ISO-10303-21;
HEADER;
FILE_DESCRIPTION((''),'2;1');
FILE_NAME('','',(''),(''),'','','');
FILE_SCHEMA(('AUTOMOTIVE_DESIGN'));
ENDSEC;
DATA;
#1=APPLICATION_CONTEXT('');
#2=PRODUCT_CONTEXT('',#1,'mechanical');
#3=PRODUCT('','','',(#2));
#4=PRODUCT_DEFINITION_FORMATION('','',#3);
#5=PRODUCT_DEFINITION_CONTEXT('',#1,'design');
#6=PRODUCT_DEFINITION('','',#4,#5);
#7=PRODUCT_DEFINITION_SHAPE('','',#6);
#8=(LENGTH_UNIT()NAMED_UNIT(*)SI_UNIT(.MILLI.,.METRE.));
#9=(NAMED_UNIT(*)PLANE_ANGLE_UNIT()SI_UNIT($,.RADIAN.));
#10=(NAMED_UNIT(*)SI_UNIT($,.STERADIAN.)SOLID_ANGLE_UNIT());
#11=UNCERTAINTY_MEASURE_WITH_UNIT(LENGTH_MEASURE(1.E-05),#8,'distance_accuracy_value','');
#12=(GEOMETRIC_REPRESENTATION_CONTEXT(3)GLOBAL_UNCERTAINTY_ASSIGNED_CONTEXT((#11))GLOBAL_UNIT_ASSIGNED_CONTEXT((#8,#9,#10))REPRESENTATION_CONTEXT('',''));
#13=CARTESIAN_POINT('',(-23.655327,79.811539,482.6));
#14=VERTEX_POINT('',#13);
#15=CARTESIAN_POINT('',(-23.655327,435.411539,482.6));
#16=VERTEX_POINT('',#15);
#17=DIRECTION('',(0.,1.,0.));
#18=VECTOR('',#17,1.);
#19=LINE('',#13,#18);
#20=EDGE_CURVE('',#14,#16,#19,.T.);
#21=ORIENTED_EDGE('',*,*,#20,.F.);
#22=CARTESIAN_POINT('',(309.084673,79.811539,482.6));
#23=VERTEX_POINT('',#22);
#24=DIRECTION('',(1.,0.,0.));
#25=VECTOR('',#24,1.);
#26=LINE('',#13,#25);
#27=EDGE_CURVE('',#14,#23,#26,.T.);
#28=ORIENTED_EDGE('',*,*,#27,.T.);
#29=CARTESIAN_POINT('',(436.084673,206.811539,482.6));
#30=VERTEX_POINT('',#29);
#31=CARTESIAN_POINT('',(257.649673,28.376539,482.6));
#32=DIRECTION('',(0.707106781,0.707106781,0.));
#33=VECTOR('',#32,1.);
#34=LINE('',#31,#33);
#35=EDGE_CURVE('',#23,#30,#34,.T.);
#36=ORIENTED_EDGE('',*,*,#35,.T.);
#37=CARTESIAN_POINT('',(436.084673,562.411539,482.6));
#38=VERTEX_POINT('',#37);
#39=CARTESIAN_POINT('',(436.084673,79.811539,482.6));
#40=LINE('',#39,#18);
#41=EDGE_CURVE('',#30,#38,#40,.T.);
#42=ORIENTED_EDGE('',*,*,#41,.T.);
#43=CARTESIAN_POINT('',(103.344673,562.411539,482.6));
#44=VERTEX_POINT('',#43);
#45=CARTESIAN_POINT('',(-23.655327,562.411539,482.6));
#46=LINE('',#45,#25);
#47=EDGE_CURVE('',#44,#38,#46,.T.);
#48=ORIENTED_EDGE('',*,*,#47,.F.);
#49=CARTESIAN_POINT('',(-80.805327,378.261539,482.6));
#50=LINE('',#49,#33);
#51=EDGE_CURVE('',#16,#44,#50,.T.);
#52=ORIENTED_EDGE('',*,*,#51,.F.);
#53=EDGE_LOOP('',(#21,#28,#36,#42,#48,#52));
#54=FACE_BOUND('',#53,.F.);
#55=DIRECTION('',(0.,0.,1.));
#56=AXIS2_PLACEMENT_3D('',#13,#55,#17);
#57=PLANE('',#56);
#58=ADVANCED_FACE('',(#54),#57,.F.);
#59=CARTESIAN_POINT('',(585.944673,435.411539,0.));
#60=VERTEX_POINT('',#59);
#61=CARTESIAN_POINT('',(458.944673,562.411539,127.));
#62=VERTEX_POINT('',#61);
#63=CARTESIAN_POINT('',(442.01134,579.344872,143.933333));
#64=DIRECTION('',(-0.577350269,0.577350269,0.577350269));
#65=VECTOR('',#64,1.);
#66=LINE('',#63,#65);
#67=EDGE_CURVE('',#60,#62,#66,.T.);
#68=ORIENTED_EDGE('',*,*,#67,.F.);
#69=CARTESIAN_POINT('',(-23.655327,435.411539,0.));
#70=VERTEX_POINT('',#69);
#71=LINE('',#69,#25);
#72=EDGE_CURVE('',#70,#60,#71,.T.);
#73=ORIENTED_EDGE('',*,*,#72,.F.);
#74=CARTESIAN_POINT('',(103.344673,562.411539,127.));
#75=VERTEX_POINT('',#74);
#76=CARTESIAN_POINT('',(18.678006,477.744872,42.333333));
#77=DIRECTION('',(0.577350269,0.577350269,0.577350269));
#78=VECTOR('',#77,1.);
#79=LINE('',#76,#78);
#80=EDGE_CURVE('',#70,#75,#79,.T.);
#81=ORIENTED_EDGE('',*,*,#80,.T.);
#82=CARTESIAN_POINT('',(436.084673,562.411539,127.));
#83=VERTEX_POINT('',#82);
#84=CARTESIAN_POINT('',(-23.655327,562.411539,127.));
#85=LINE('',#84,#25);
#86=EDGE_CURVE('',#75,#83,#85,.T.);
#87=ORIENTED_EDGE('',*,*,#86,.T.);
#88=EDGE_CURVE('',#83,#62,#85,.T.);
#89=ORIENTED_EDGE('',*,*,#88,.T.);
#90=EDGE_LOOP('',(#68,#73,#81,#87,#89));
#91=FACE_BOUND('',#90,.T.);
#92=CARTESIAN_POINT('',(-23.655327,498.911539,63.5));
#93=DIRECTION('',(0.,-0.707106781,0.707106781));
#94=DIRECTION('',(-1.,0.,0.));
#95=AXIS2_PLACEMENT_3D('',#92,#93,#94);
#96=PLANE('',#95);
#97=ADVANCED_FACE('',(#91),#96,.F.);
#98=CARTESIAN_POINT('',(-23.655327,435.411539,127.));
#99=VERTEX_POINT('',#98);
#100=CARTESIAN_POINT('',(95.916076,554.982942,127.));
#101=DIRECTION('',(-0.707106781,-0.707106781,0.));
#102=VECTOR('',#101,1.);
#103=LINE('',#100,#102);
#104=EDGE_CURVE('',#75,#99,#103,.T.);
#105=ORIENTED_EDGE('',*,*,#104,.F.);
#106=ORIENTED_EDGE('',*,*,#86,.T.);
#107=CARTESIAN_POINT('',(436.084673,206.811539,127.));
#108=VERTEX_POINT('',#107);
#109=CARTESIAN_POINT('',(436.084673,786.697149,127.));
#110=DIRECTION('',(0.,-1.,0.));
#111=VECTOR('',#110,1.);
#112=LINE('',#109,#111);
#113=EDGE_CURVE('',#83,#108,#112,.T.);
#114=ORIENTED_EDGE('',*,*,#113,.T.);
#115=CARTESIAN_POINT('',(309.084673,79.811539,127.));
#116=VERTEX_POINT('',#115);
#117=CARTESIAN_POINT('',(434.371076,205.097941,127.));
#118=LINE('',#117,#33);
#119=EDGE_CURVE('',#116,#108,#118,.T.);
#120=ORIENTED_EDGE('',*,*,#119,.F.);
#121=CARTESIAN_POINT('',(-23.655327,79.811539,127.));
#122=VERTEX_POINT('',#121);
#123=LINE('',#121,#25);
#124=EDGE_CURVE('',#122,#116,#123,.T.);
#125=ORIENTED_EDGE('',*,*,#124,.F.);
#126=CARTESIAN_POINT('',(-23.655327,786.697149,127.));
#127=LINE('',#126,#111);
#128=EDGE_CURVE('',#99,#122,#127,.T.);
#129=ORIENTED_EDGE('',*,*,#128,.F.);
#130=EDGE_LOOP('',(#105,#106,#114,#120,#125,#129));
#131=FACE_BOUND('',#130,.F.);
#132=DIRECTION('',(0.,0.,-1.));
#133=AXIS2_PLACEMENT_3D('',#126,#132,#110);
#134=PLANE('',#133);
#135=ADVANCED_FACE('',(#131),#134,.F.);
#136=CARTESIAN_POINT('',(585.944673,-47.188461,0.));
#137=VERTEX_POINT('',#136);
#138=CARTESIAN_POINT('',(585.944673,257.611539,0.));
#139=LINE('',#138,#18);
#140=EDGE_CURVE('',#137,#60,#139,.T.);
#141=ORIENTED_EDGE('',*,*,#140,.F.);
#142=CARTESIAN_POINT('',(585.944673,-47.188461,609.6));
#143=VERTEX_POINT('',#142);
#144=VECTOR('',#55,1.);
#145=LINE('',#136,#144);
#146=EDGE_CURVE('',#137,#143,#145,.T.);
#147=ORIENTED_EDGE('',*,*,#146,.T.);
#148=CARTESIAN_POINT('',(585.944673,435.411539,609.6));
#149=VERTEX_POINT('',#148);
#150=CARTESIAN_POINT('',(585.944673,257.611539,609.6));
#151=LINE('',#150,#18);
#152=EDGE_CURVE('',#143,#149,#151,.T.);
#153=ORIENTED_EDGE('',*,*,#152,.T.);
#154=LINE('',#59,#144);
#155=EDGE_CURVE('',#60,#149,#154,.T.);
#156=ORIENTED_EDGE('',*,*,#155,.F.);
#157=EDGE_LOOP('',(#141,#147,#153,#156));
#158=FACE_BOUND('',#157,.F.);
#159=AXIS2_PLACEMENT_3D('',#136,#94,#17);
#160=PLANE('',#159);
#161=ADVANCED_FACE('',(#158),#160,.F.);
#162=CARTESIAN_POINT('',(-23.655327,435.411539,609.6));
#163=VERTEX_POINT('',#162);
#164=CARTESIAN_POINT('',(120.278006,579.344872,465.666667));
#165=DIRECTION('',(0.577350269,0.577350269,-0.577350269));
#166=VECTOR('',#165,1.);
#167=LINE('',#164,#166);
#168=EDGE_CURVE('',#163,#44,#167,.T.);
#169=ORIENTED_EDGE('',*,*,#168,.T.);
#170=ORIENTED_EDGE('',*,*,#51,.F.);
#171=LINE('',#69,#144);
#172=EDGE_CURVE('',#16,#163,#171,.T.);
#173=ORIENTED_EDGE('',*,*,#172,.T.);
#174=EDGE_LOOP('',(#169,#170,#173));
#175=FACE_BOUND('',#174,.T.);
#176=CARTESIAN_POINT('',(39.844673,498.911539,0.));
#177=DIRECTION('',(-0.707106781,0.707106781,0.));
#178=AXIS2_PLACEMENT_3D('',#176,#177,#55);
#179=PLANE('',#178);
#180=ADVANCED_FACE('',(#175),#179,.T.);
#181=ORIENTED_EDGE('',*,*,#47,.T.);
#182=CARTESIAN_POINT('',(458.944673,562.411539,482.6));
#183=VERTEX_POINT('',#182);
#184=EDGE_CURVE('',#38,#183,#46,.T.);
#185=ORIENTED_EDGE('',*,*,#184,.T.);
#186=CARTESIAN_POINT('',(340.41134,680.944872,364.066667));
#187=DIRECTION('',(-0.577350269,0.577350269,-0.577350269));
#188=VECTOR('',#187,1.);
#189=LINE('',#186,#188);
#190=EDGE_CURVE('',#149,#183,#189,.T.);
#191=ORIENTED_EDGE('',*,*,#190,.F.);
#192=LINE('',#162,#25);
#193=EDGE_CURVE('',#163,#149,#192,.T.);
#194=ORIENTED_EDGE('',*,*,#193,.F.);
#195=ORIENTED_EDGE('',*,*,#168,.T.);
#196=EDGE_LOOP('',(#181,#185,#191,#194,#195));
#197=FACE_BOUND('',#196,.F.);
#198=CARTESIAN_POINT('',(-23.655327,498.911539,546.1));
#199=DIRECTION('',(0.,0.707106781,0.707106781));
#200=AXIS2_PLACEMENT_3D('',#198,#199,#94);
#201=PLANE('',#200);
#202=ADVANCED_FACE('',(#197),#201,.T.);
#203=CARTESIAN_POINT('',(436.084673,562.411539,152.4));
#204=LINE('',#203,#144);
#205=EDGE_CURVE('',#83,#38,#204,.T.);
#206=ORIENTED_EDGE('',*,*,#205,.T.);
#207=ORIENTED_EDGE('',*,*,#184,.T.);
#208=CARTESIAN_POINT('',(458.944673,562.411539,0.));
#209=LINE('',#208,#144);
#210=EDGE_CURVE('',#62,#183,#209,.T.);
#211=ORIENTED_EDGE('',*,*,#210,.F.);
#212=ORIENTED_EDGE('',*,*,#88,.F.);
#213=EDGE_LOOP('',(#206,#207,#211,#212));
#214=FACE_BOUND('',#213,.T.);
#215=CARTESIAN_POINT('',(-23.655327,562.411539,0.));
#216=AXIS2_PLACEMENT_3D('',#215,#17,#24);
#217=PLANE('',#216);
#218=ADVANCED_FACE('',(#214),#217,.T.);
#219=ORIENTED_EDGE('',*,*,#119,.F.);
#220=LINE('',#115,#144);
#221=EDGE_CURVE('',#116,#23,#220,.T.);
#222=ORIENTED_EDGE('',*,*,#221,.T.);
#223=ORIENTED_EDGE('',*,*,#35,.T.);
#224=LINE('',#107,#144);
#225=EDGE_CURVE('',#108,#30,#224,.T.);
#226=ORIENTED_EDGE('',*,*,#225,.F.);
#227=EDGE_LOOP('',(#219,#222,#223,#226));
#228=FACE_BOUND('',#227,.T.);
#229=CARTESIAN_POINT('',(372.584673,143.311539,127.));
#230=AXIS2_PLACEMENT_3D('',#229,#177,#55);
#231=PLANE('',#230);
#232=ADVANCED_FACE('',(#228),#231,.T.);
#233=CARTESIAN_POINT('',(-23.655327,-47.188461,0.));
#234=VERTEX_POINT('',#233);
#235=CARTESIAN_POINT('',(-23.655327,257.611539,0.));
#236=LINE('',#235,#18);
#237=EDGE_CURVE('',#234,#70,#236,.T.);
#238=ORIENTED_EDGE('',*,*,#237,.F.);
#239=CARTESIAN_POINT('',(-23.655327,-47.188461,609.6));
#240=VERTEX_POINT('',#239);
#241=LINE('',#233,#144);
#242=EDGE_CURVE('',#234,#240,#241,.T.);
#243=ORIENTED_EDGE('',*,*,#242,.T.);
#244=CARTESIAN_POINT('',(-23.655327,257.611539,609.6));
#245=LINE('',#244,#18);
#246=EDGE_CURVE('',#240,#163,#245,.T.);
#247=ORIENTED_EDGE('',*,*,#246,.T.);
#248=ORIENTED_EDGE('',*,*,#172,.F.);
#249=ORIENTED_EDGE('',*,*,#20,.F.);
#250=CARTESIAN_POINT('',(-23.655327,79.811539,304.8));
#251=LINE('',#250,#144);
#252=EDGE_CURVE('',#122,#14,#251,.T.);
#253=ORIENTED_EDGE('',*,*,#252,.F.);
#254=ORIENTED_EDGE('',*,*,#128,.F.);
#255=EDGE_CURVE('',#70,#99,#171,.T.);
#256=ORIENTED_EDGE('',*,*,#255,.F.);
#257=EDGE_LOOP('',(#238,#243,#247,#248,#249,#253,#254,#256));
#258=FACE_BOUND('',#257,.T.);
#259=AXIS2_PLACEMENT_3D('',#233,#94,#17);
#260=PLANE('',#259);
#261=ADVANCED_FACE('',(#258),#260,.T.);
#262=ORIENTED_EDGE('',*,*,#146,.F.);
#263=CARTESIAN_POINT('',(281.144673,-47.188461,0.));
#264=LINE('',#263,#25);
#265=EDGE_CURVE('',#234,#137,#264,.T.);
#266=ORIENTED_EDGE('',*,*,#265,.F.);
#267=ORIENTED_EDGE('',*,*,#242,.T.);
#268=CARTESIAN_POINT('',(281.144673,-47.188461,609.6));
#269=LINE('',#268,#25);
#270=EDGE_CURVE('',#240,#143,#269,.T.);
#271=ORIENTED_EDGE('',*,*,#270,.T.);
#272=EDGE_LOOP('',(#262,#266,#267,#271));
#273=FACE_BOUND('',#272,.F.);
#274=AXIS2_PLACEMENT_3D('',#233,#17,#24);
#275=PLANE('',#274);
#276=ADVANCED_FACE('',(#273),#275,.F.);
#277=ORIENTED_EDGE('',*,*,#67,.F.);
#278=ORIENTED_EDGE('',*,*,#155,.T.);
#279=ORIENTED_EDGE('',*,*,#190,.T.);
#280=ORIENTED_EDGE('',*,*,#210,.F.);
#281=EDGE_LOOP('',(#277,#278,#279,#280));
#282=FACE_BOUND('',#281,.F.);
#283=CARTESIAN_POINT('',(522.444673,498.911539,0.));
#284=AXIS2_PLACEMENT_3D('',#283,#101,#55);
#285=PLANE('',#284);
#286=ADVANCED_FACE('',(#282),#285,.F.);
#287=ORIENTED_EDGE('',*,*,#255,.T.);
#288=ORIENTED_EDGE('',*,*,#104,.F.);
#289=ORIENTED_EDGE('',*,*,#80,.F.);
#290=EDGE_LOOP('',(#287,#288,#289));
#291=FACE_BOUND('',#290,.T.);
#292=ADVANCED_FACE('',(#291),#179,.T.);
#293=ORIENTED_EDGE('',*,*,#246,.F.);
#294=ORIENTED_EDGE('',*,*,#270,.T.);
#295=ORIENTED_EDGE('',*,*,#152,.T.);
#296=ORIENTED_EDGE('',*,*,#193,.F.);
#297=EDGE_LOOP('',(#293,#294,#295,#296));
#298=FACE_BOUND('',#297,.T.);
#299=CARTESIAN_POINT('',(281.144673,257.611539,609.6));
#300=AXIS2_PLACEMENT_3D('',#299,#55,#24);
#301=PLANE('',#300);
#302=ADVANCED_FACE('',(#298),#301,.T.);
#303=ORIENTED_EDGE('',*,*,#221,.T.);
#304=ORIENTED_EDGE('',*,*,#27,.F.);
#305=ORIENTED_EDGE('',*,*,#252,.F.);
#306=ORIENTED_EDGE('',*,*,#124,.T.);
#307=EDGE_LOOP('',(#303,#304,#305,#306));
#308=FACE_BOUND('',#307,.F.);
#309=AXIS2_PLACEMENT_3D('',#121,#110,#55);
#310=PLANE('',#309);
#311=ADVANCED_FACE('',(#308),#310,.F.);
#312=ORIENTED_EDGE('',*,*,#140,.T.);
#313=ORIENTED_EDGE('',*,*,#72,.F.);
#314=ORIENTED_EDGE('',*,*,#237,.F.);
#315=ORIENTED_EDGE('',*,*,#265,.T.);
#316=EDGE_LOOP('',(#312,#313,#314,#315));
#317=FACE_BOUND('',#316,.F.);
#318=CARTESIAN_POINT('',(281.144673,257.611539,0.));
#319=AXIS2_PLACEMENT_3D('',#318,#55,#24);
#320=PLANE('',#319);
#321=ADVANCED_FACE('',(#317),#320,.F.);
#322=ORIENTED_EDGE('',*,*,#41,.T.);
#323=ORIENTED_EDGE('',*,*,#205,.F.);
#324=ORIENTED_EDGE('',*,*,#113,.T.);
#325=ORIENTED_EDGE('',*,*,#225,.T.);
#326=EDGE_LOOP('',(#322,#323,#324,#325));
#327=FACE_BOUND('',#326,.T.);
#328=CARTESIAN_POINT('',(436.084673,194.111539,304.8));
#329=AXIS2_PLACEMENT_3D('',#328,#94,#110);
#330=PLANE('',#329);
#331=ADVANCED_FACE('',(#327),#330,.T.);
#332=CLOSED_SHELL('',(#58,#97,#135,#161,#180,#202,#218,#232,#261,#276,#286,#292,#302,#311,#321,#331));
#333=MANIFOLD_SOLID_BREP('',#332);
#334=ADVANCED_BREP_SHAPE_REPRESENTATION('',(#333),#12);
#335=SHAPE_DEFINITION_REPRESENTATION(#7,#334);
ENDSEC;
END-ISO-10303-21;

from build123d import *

# Parameters (mm, degrees)
F0_W     = 609.6
F0_H     = 609.6
F1_DEPTH = 609.6
F2_SIZE  = 127
F3_W     = 228.6
F3_H     = 355.6
F3_W_2   = 127
F3_W_3   = 351.28561
F4_DEPTH = 459.74
F5_SIZE  = 127


with BuildPart() as f1:
    # F0 (on Top) → F1 (new body)
    with BuildSketch(Plane.XY):
        with Locations((281.144673, 257.611539)):
            Rectangle(F0_W, F0_H)
    extrude(amount=F1_DEPTH)

    # F2
    f2_edges = [f1.edges().sort_by_distance(p)[0] for p in [
        (585.944673, 562.411539, 304.8),
        (-23.655327, 562.411539, 304.8),
        (281.144673, 562.411539, 0),
        (281.144673, 562.411539, 609.6),
    ]]
    chamfer(f2_edges, length=F2_SIZE)

    # F3 (on face) → F4 (cut)
    with BuildSketch(Plane(origin=(-23.655327, 0, 0), x_dir=(0, -1, 0), z_dir=(-1, 0, 0))):
        with Locations((-194.111539, 304.8)):
            Rectangle(F3_W, F3_H)
        with Locations((-371.911539, 304.8)):
            Rectangle(F3_W_2, F3_H)
        with Locations((-611.054344, 304.8)):
            Rectangle(F3_W_3, F3_H)
    extrude(amount=-F4_DEPTH, mode=Mode.SUBTRACT)

    # F5
    f5_edges = [f1.edges().sort_by_distance(p)[0] for p in [
        (436.084673, 79.811539, 304.8),
    ]]
    chamfer(f5_edges, length=F5_SIZE)


solid = f1.part
